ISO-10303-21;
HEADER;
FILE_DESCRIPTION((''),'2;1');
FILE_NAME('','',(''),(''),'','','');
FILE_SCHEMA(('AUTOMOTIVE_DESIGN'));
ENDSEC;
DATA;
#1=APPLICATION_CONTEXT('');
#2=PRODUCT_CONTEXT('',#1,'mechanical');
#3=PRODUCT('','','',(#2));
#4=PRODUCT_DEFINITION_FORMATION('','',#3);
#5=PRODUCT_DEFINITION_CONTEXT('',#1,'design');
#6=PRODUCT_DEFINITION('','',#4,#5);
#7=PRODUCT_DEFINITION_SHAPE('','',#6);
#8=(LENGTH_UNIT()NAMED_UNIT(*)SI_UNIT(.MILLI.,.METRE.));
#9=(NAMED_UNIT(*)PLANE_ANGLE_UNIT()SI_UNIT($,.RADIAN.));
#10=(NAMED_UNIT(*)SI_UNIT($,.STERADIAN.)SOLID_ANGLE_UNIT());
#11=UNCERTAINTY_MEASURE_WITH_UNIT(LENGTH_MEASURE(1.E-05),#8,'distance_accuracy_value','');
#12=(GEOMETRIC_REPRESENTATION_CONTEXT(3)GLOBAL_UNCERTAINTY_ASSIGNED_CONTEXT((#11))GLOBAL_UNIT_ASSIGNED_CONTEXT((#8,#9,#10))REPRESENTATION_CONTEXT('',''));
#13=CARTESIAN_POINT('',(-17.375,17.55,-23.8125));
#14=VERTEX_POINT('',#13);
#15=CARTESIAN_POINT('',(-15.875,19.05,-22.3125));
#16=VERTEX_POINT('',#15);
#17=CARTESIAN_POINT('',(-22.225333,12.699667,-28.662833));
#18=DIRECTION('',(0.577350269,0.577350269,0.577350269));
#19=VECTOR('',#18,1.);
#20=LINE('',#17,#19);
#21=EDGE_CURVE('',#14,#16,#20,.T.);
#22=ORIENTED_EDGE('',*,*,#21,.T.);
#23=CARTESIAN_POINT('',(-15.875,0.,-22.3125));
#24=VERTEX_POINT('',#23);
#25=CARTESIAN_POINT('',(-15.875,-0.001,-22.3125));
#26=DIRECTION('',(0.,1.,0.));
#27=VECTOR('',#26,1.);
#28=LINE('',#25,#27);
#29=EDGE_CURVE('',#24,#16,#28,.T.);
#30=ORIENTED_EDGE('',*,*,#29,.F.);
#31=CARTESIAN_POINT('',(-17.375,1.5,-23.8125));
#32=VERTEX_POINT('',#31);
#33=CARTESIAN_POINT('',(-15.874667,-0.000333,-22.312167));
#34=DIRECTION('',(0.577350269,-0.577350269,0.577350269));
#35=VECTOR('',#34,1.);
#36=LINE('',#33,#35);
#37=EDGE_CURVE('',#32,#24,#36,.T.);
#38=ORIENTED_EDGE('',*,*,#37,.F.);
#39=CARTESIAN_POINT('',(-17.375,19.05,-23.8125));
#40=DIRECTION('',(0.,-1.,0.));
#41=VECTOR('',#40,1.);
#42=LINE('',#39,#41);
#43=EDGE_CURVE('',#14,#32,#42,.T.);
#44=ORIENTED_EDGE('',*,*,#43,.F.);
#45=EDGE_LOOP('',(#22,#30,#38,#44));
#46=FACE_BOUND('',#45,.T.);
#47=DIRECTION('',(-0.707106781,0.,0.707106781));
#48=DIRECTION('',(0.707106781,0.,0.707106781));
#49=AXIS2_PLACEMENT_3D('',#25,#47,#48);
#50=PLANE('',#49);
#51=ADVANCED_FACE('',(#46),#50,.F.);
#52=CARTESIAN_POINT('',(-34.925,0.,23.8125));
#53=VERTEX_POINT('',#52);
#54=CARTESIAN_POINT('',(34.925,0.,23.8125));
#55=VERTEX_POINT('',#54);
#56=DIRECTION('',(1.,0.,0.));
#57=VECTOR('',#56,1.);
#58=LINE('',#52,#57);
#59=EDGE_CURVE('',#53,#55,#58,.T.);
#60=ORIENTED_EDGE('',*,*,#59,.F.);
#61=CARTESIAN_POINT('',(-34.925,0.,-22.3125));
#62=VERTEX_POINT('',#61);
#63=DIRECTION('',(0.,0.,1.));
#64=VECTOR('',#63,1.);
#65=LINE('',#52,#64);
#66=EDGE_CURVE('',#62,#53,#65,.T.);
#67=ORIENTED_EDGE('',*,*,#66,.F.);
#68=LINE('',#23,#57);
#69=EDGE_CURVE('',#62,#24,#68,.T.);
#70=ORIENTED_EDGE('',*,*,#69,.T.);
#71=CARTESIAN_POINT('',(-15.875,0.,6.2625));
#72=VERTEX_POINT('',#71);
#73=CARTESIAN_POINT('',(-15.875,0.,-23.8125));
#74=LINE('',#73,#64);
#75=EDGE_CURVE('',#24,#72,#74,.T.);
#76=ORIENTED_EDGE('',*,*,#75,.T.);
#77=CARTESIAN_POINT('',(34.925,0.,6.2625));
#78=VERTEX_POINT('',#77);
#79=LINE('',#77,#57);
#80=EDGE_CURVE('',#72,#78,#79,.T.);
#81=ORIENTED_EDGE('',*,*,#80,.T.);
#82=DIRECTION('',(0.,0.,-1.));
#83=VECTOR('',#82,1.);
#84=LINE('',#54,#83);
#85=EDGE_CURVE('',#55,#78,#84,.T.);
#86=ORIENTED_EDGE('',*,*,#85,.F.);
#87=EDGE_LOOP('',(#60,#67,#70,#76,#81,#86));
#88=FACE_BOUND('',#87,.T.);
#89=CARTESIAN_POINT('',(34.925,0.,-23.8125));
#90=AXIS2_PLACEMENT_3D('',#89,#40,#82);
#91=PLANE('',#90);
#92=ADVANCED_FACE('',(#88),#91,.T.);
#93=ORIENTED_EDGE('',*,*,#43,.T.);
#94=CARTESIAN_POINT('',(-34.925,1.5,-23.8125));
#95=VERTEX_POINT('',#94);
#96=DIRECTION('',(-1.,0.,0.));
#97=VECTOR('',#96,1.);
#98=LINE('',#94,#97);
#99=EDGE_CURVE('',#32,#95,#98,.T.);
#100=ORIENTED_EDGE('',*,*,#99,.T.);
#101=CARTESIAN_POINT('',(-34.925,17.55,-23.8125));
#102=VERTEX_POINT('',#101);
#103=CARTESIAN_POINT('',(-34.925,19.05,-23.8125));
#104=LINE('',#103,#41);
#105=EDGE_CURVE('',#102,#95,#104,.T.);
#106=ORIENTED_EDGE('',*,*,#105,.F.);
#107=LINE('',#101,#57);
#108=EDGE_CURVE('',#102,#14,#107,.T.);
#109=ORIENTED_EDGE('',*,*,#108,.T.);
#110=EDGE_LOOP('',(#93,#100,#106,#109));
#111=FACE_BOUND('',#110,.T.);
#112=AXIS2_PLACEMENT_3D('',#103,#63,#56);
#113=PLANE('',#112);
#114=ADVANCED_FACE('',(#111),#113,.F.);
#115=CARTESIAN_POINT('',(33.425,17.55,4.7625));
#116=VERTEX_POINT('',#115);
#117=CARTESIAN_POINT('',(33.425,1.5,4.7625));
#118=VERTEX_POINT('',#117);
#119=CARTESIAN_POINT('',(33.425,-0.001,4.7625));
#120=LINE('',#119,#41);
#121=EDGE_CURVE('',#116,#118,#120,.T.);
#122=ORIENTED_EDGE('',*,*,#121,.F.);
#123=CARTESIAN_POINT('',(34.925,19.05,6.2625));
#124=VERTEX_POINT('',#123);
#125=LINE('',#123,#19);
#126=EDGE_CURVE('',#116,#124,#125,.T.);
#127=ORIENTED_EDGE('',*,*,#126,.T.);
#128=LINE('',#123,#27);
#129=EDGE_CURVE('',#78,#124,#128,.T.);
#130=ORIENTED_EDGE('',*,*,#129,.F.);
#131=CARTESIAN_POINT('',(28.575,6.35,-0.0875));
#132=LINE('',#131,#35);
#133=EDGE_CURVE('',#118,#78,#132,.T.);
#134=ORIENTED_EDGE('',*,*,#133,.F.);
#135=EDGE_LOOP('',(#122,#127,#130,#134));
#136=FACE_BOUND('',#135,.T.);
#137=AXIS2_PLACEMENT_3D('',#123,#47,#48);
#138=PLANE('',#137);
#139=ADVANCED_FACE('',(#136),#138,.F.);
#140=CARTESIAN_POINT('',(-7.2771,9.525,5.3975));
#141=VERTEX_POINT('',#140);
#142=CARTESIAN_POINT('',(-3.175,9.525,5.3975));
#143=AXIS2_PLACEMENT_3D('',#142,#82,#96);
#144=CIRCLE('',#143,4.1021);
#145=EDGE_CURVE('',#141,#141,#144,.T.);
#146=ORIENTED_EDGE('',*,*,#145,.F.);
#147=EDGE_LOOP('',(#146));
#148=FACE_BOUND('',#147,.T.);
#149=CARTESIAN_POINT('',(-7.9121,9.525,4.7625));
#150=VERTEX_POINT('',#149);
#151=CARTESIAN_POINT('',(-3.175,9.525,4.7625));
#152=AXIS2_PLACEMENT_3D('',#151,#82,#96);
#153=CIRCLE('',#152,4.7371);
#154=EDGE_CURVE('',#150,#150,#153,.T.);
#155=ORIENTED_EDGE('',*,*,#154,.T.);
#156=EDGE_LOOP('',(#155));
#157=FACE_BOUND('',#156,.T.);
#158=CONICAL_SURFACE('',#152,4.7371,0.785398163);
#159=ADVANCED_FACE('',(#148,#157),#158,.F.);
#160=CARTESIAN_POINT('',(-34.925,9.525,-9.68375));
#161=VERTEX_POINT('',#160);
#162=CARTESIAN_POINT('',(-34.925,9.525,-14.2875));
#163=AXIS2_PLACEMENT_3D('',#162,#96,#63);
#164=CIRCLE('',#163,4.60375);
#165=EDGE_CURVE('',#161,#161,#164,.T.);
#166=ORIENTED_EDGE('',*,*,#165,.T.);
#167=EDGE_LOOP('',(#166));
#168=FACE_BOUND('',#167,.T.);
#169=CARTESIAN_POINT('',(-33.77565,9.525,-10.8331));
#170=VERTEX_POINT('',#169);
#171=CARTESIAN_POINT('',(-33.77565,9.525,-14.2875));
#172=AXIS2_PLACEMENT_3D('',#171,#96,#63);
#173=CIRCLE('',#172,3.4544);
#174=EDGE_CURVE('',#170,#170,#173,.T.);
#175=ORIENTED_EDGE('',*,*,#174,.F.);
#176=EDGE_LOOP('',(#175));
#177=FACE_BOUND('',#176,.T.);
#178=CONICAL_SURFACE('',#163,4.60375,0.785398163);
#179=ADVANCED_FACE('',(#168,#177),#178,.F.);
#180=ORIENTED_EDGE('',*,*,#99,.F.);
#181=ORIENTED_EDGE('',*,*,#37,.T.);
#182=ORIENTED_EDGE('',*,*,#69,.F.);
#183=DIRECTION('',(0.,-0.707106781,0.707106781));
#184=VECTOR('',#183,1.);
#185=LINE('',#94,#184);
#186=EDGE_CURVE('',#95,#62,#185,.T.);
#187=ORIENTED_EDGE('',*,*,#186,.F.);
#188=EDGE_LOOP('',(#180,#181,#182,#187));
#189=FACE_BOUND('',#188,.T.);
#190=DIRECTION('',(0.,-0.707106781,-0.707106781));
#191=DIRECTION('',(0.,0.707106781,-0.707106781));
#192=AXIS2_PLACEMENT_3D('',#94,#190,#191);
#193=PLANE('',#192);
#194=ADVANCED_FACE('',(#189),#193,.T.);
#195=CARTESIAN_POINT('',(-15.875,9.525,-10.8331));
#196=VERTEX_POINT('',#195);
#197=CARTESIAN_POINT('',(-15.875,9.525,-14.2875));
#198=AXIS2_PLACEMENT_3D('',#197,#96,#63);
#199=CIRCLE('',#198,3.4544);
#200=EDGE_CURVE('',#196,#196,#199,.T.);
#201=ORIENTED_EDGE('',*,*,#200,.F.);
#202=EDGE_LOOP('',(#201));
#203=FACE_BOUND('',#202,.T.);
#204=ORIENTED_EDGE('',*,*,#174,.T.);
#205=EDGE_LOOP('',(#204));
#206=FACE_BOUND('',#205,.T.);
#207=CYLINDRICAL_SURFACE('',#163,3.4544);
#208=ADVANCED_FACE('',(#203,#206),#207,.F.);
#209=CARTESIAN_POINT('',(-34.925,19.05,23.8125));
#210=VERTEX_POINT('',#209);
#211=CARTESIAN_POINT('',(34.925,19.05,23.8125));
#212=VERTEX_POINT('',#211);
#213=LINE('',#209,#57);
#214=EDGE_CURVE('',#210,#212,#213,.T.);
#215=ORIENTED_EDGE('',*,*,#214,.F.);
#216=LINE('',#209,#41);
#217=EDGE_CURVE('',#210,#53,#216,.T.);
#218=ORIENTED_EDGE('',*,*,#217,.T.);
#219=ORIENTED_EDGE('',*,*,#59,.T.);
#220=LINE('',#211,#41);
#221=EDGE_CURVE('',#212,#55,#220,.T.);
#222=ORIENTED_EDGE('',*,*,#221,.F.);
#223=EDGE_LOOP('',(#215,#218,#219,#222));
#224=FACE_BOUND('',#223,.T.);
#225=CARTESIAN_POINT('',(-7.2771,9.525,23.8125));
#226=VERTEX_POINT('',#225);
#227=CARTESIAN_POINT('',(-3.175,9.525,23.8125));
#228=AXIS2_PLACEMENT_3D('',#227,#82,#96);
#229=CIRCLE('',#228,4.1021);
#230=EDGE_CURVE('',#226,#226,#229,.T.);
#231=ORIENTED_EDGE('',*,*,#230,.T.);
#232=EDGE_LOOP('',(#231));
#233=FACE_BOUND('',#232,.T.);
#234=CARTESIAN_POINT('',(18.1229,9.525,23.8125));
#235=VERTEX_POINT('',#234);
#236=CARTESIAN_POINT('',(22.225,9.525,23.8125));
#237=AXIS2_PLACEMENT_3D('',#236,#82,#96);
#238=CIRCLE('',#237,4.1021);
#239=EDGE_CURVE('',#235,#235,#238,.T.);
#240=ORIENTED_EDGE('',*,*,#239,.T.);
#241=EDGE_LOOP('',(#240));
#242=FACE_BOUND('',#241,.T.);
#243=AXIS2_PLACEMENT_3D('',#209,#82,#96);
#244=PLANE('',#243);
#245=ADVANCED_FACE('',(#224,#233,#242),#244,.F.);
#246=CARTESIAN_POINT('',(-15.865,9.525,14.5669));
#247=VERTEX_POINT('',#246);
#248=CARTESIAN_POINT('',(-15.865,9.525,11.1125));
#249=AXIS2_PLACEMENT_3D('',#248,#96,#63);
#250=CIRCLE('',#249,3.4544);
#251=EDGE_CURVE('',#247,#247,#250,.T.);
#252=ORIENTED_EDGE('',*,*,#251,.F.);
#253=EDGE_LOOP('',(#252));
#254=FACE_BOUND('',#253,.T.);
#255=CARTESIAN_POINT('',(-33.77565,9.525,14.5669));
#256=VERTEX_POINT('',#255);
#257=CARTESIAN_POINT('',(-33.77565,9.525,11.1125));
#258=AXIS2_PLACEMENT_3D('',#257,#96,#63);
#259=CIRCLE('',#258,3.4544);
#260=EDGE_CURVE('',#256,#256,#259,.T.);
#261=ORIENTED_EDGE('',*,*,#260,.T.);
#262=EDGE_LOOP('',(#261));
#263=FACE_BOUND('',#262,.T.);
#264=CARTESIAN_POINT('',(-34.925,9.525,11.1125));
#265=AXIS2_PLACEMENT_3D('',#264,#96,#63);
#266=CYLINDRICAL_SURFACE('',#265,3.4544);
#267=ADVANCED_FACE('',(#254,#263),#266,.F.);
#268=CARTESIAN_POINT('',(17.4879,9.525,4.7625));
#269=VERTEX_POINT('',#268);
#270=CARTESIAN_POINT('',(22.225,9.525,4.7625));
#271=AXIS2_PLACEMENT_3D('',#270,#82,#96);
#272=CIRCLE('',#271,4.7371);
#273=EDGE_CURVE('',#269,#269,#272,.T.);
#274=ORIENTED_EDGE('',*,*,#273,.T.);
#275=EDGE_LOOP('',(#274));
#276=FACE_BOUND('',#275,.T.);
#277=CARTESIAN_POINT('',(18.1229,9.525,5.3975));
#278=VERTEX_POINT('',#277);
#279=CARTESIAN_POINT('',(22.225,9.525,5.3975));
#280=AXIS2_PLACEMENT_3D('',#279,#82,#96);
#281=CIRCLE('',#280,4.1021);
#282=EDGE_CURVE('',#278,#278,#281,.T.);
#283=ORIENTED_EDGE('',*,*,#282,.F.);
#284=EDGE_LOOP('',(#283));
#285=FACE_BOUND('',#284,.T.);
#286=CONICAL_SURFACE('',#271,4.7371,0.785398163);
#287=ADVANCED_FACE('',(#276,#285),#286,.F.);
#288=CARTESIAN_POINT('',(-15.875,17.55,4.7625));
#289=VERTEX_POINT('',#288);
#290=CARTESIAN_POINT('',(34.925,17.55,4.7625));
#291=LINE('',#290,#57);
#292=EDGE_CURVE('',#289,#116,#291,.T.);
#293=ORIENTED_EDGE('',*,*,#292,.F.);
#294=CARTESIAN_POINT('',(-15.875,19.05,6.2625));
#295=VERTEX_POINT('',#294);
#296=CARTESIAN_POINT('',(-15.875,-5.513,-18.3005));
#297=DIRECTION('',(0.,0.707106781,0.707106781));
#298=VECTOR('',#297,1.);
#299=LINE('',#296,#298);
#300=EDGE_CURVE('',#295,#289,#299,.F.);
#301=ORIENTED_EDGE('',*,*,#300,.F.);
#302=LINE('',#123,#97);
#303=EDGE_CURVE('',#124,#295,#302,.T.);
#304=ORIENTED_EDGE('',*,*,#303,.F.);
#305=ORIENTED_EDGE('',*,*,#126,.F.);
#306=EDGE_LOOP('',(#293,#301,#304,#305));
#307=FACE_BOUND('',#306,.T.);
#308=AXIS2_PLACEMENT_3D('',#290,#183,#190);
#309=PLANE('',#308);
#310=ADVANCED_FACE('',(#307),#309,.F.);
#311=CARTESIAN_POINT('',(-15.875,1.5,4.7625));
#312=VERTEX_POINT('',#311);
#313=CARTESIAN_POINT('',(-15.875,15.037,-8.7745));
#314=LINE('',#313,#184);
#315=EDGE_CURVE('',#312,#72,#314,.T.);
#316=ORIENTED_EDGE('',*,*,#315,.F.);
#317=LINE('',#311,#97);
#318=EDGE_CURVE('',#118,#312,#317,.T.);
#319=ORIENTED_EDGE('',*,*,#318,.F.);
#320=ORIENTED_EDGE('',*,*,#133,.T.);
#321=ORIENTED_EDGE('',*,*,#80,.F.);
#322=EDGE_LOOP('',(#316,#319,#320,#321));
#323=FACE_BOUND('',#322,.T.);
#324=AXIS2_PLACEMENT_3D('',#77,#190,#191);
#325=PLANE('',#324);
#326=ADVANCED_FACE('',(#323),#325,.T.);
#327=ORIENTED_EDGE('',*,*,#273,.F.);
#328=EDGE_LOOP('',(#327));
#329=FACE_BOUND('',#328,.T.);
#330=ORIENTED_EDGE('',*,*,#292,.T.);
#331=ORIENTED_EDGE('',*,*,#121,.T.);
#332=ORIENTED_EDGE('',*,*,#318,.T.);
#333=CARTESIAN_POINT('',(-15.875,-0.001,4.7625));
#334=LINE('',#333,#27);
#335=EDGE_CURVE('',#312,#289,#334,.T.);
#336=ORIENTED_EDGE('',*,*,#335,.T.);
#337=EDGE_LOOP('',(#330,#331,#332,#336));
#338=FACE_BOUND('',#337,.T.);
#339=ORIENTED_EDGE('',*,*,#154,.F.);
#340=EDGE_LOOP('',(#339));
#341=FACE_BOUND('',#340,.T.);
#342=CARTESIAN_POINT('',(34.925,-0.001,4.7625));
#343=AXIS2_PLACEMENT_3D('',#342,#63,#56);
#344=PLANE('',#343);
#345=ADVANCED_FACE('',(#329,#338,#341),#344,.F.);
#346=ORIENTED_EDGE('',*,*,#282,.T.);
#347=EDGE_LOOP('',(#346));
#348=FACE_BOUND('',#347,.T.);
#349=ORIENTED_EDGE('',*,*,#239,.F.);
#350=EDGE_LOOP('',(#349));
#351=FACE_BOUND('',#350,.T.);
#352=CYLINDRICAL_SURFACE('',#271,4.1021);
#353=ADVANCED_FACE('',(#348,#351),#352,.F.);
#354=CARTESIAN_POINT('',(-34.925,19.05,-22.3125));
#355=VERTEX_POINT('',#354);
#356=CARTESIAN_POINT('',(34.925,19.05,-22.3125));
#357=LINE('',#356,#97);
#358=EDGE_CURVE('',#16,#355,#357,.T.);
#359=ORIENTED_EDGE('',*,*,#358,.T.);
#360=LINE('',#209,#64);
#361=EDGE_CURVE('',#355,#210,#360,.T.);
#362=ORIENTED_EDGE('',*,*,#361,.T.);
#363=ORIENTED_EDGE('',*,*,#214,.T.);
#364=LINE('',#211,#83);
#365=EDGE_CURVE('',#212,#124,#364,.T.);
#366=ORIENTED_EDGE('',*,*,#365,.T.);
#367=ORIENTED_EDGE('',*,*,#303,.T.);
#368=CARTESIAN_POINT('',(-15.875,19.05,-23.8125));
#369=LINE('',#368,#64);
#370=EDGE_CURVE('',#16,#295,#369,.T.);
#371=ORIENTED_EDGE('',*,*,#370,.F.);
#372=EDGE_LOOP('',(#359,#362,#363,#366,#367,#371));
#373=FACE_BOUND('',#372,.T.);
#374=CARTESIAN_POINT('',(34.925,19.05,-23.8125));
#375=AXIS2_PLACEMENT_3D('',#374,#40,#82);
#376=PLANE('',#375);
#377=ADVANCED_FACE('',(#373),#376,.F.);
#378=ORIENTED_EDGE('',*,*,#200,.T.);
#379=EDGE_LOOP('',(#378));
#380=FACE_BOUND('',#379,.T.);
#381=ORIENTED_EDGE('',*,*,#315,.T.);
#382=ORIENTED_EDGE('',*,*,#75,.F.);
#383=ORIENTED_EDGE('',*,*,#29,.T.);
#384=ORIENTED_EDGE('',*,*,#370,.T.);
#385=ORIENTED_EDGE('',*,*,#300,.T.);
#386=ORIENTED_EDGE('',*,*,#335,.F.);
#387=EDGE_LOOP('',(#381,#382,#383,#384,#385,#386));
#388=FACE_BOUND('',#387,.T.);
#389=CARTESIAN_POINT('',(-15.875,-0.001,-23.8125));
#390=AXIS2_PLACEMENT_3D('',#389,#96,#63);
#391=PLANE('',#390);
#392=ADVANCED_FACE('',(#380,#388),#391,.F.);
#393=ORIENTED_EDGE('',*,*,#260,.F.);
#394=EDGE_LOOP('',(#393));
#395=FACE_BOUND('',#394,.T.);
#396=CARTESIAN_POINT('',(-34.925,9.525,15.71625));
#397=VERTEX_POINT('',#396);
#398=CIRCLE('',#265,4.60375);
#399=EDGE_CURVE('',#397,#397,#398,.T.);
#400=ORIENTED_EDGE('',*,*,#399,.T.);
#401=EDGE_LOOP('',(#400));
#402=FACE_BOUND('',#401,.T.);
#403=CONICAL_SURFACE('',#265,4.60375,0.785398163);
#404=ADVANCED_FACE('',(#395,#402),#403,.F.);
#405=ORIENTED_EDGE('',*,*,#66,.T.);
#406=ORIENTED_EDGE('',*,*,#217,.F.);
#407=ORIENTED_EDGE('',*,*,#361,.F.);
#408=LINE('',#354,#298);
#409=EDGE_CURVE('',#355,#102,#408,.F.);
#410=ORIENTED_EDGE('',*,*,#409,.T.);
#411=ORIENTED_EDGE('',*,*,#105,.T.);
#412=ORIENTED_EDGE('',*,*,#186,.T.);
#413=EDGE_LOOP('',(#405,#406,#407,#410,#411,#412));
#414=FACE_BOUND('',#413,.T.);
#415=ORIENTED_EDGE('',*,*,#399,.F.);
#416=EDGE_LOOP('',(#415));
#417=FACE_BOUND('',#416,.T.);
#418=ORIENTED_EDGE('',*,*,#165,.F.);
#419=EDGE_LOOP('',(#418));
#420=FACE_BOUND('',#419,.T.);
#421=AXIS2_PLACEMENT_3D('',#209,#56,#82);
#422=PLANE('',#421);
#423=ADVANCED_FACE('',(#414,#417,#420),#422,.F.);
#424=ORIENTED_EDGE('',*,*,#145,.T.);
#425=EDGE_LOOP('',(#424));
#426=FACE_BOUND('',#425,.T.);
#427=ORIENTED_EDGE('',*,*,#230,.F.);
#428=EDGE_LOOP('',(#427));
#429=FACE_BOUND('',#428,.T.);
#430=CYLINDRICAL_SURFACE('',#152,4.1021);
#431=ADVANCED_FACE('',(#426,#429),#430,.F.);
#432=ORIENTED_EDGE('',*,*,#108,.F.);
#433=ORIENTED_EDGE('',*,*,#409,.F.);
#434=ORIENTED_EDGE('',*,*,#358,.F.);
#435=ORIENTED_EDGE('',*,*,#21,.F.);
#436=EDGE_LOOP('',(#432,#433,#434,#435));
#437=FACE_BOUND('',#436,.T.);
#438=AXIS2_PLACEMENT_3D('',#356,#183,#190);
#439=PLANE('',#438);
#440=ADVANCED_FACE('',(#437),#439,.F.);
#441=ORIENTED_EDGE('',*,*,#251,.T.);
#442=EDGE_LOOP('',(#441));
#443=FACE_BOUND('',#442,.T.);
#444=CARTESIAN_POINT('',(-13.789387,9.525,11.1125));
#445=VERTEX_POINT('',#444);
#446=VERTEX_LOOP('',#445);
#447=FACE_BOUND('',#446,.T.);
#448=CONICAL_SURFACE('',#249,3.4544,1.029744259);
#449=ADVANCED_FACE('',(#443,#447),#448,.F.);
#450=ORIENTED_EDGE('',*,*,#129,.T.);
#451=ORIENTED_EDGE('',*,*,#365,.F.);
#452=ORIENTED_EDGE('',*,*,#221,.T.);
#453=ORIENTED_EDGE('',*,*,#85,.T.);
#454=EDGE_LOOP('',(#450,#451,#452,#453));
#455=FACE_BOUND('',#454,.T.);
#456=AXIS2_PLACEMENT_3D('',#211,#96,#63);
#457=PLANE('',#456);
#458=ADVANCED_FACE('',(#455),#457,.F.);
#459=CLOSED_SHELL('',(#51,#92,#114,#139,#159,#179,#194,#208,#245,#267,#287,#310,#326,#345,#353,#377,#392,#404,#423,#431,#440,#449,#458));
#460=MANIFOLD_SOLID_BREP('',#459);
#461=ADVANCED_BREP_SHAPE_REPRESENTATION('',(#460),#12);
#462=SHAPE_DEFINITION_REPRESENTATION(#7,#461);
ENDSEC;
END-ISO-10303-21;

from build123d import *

# Parameters (mm, degrees)
SKETCH1_W                          = 69.85
SKETCH1_H                          = 47.625
BOSS_EXTRUDE1_DEPTH                = 19.05
CUT_EXTRUDE1_REACH                 = 21.05
SKETCH2_W                          = 50.8
SKETCH2_H                          = 28.575
F_5_16_24_TAPPED_HOLE1_D           = 6.9088
F_5_16_24_TAPPED_HOLE1_DEPTH       = 19.06
F_5_16_24_TAPPED_HOLE1_CSINK_D     = 9.2075
F_5_16_24_TAPPED_HOLE1_CSINK_ANGLE = 90
F_5_16_24_TAPPED_HOLE1_TIP         = 2.075612922
F_5_16_CLEARANCE_HOLE1_D           = 8.2042
F_5_16_CLEARANCE_HOLE1_CSINK_D     = 9.4742
F_5_16_CLEARANCE_HOLE1_CSINK_ANGLE = 90
CHAMFER1_SIZE                      = 1.5


with BuildPart() as part:
    # Sketch1 → Boss-Extrude1 (new body)
    with BuildSketch(Plane(origin=(0, 0, 0), x_dir=(1, 0, 0), z_dir=(0, 1, 0))):
        Rectangle(SKETCH1_W, SKETCH1_H)
    extrude(amount=BOSS_EXTRUDE1_DEPTH)

    # Sketch2 → Cut-Extrude1 (cut, up to next)
    with BuildSketch(Plane(origin=(0, 19.05, 0), x_dir=(1, 0, 0), z_dir=(0, 1, 0)), mode=Mode.PRIVATE) as cut_extrude1_sk1:
        with Locations((9.525, 9.525)):
            Rectangle(SKETCH2_W, SKETCH2_H)
    cut_extrude1_tool1 = extrude(cut_extrude1_sk1.sketch, amount=-CUT_EXTRUDE1_REACH, mode=Mode.PRIVATE) & part.part
    add(cut_extrude1_tool1.solids().sort_by_distance((9.525, 19.05, -9.525))[0], mode=Mode.SUBTRACT)

    # 5/16-24 Tapped Hole1
    with Locations(Plane.ZY.offset(34.925)):
        with Locations((-14.2875, 9.525), (11.1125, 9.525)):
            CounterSinkHole(F_5_16_24_TAPPED_HOLE1_D / 2, F_5_16_24_TAPPED_HOLE1_CSINK_D / 2, depth=F_5_16_24_TAPPED_HOLE1_DEPTH, counter_sink_angle=F_5_16_24_TAPPED_HOLE1_CSINK_ANGLE)
            with Locations((0, 0, -(F_5_16_24_TAPPED_HOLE1_DEPTH + F_5_16_24_TAPPED_HOLE1_TIP / 2))):  # 118° drill point
                Cone(0, F_5_16_24_TAPPED_HOLE1_D / 2, F_5_16_24_TAPPED_HOLE1_TIP, mode=Mode.SUBTRACT)

    # 5/16 Clearance Hole1 (through all)
    with Locations(Plane(origin=(0, 0, 4.7625), x_dir=(-1, 0, 0), z_dir=(0, 0, -1))):
        with Locations((3.175, 9.525), (-22.225, 9.525)):
            CounterSinkHole(F_5_16_CLEARANCE_HOLE1_D / 2, F_5_16_CLEARANCE_HOLE1_CSINK_D / 2, counter_sink_angle=F_5_16_CLEARANCE_HOLE1_CSINK_ANGLE)

    # Chamfer1
    chamfer1_edges = [part.edges().sort_by_distance(p)[0] for p in [
        (-25.4, 0, -23.8125),
        (-25.4, 19.05, -23.8125),
        (9.525, 0, 4.7625),
        (34.925, 9.525, 4.7625),
        (-15.875, 9.525, -23.8125),
        (9.525, 19.05, 4.7625),
    ]]
    chamfer(chamfer1_edges, length=CHAMFER1_SIZE)


solid = part.part
